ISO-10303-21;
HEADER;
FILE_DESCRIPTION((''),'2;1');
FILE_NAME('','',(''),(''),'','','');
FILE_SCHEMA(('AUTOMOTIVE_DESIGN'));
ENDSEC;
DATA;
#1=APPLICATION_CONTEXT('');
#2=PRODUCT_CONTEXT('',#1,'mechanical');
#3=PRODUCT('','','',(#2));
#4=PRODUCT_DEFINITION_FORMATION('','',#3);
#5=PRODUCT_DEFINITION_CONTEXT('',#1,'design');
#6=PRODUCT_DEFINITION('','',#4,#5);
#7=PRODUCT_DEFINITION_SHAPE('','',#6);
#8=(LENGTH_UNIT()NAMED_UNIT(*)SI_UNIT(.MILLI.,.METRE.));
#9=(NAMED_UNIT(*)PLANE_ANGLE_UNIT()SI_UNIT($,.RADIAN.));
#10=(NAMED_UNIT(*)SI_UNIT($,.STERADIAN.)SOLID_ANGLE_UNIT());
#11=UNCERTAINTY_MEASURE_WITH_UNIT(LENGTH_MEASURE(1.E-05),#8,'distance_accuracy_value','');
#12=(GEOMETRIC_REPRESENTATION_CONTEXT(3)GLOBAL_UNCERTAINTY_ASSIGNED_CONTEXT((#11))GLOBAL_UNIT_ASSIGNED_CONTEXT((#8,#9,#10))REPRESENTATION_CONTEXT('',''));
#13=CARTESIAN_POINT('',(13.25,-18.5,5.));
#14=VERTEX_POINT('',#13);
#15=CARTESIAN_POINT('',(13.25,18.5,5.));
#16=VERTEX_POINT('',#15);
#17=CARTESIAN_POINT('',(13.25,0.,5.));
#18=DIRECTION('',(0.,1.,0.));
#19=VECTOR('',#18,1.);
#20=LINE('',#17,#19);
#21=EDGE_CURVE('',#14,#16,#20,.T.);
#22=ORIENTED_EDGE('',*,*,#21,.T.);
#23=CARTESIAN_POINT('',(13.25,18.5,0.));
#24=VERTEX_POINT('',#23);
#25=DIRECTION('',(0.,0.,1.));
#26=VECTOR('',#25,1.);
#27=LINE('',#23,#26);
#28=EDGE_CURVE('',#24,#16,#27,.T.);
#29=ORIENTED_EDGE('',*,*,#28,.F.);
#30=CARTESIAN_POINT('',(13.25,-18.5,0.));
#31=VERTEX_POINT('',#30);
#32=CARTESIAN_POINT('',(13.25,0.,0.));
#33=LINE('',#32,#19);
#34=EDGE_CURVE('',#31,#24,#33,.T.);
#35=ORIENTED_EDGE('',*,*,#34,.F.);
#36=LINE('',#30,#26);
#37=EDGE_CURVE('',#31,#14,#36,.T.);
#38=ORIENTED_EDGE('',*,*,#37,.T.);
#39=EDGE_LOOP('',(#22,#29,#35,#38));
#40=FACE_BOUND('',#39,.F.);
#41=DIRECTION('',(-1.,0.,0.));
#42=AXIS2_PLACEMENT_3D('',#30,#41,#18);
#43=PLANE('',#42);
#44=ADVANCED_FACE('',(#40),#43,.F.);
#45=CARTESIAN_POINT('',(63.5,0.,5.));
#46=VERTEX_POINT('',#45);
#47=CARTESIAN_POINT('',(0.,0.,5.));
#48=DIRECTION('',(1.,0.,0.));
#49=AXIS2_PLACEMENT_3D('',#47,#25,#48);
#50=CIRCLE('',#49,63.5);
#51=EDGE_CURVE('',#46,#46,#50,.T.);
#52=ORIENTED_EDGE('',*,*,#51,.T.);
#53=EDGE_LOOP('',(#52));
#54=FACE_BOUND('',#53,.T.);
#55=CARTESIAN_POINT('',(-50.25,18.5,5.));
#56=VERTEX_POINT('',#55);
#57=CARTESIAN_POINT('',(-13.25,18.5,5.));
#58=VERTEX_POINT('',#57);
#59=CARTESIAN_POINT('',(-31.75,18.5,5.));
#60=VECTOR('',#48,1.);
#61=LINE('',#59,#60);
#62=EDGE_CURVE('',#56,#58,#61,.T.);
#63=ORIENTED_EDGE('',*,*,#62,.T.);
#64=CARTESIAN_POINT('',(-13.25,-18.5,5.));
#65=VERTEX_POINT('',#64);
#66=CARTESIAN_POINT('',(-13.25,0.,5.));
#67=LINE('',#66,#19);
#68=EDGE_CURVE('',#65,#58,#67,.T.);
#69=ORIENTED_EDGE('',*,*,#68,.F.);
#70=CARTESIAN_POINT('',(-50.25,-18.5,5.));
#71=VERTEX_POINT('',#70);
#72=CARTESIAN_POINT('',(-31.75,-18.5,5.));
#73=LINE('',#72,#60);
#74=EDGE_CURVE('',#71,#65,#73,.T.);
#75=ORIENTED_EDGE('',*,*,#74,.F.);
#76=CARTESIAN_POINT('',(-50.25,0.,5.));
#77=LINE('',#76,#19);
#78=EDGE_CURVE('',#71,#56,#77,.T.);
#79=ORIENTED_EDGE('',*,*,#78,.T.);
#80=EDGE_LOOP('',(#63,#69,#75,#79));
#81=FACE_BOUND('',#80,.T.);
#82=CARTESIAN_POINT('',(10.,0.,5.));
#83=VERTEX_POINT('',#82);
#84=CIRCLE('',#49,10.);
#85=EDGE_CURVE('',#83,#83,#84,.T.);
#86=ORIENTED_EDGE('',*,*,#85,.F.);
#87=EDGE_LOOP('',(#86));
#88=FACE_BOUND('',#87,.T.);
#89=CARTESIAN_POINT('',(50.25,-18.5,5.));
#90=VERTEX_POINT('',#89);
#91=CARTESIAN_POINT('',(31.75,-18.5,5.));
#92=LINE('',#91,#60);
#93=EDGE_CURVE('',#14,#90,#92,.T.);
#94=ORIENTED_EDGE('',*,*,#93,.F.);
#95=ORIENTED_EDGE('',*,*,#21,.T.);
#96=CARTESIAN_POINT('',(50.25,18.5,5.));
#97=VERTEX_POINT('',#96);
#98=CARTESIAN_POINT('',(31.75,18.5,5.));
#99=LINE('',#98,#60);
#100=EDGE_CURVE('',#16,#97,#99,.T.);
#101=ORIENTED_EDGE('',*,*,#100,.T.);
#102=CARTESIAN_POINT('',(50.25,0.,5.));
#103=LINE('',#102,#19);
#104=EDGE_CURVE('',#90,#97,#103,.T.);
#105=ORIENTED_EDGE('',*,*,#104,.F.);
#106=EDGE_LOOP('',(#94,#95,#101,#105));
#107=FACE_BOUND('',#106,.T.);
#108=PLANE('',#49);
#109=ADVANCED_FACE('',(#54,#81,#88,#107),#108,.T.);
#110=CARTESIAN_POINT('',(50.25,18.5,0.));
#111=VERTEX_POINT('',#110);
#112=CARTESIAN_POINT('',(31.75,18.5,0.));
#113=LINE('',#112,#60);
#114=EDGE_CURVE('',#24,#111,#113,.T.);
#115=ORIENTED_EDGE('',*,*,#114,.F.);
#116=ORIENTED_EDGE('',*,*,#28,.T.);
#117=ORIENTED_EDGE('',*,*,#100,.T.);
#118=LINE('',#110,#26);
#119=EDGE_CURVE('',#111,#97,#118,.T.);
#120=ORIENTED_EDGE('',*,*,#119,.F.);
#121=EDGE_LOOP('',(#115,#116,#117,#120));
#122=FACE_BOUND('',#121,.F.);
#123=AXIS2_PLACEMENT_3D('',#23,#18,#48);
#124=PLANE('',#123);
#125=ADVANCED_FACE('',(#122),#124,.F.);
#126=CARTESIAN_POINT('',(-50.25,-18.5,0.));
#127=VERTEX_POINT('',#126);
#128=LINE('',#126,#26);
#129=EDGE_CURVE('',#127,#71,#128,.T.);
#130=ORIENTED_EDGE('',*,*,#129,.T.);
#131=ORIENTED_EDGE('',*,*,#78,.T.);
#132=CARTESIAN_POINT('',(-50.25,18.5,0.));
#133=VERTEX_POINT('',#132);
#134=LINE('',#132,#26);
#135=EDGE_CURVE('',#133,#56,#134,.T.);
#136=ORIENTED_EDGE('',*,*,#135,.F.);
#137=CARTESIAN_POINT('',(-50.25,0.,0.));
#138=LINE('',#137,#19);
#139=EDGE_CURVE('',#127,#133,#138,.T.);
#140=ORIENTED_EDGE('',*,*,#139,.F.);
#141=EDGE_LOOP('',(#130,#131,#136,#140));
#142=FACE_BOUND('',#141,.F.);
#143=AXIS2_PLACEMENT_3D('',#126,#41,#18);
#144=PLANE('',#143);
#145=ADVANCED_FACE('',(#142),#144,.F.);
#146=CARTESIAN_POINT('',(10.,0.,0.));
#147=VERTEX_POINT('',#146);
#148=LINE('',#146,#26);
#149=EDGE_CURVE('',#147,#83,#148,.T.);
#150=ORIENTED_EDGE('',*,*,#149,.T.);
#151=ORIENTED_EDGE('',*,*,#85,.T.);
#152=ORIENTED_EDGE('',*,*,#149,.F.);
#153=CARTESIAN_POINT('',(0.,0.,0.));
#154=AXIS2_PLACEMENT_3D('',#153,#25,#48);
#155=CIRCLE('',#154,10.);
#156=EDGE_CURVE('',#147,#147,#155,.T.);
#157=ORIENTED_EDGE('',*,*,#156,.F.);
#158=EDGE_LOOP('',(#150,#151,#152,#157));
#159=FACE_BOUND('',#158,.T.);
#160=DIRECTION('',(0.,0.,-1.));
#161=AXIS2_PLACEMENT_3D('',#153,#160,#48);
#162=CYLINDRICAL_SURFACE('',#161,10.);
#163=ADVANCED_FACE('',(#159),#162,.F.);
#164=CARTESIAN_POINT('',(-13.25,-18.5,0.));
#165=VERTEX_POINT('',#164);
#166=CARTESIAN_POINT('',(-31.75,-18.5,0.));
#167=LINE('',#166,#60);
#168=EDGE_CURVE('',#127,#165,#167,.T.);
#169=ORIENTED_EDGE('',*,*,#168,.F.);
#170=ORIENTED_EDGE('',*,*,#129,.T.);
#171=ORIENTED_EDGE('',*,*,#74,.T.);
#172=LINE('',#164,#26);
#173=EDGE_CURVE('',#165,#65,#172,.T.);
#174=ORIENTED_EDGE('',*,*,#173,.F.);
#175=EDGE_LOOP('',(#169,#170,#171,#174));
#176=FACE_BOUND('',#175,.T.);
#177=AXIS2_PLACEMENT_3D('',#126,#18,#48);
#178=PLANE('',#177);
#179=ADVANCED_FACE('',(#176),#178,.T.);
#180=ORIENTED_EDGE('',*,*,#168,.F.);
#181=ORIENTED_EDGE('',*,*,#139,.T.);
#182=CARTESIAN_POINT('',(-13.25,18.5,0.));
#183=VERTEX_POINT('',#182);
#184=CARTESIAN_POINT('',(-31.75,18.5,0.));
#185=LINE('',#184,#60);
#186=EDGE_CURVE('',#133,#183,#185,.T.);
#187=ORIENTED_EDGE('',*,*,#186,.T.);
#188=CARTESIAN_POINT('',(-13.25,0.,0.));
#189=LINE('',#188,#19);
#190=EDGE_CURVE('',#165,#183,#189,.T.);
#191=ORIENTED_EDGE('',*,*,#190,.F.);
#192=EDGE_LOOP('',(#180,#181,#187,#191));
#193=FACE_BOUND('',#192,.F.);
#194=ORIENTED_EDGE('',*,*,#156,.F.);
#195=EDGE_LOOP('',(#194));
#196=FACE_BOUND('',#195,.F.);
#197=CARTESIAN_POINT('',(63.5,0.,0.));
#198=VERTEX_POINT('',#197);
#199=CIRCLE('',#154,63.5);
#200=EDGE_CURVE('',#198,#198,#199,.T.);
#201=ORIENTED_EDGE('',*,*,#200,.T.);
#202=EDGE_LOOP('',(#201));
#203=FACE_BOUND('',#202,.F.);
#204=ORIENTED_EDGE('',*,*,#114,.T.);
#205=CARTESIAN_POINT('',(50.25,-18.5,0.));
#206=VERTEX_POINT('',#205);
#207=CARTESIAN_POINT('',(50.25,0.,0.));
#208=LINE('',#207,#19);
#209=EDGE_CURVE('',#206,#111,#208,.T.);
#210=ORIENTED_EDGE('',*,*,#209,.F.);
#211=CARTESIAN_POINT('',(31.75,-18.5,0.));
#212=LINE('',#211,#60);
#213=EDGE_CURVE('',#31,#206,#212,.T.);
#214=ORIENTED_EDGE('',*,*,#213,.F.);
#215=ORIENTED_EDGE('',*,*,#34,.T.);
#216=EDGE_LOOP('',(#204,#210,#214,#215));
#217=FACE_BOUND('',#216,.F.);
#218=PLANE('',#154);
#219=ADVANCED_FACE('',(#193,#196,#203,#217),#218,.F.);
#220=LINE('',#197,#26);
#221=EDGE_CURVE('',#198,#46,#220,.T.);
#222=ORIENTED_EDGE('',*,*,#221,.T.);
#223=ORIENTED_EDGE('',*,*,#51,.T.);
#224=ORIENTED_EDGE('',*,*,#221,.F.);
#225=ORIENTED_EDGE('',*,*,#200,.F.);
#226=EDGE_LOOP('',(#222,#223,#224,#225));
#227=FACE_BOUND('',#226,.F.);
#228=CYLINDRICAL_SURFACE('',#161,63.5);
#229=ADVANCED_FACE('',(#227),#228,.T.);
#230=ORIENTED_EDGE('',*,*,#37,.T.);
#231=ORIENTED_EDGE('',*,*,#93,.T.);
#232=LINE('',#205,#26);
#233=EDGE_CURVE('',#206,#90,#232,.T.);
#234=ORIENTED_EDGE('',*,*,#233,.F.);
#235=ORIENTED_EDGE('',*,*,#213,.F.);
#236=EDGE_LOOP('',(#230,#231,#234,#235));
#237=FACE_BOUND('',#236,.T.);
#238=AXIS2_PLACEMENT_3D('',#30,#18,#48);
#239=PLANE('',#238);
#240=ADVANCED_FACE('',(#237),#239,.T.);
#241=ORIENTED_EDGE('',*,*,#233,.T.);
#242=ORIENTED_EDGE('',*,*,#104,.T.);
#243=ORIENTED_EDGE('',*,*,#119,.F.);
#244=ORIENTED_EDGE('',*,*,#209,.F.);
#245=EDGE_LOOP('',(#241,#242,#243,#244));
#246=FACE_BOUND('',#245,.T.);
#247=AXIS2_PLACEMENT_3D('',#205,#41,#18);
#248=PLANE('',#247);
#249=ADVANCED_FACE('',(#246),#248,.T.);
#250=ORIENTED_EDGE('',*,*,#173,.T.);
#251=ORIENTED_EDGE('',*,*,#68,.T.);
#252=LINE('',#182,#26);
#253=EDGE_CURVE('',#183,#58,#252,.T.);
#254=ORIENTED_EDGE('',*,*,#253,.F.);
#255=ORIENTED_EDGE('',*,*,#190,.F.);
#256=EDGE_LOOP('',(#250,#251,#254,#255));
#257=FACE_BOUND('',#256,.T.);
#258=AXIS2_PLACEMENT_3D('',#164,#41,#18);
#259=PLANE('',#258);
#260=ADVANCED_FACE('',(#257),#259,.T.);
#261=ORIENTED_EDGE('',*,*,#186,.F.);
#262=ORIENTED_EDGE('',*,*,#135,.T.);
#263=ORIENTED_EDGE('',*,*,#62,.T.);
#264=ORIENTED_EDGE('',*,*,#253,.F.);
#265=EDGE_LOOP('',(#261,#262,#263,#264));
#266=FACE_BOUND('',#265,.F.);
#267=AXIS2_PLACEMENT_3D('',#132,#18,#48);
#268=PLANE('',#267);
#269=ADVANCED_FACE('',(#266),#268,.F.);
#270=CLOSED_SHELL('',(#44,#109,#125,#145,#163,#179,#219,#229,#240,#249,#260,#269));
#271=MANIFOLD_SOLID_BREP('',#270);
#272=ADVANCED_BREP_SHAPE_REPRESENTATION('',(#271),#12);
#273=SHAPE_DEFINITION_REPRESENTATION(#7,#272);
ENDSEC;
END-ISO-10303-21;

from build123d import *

# Parameters (mm, degrees)
F0_R     = 63.5
F0_W     = 37
F0_H     = 37
F0_R_2   = 10
F1_DEPTH = 5


with BuildPart() as f1:
    # F0 (on Top) → F1 (new body)
    with BuildSketch(Plane.XY):
        Circle(F0_R)
        with Locations((-31.75, 0)):
            Rectangle(F0_W, F0_H, mode=Mode.SUBTRACT)
        Circle(F0_R_2, mode=Mode.SUBTRACT)
        with Locations((31.75, 0)):
            Rectangle(F0_W, F0_H, mode=Mode.SUBTRACT)
    extrude(amount=F1_DEPTH)


solid = f1.part
